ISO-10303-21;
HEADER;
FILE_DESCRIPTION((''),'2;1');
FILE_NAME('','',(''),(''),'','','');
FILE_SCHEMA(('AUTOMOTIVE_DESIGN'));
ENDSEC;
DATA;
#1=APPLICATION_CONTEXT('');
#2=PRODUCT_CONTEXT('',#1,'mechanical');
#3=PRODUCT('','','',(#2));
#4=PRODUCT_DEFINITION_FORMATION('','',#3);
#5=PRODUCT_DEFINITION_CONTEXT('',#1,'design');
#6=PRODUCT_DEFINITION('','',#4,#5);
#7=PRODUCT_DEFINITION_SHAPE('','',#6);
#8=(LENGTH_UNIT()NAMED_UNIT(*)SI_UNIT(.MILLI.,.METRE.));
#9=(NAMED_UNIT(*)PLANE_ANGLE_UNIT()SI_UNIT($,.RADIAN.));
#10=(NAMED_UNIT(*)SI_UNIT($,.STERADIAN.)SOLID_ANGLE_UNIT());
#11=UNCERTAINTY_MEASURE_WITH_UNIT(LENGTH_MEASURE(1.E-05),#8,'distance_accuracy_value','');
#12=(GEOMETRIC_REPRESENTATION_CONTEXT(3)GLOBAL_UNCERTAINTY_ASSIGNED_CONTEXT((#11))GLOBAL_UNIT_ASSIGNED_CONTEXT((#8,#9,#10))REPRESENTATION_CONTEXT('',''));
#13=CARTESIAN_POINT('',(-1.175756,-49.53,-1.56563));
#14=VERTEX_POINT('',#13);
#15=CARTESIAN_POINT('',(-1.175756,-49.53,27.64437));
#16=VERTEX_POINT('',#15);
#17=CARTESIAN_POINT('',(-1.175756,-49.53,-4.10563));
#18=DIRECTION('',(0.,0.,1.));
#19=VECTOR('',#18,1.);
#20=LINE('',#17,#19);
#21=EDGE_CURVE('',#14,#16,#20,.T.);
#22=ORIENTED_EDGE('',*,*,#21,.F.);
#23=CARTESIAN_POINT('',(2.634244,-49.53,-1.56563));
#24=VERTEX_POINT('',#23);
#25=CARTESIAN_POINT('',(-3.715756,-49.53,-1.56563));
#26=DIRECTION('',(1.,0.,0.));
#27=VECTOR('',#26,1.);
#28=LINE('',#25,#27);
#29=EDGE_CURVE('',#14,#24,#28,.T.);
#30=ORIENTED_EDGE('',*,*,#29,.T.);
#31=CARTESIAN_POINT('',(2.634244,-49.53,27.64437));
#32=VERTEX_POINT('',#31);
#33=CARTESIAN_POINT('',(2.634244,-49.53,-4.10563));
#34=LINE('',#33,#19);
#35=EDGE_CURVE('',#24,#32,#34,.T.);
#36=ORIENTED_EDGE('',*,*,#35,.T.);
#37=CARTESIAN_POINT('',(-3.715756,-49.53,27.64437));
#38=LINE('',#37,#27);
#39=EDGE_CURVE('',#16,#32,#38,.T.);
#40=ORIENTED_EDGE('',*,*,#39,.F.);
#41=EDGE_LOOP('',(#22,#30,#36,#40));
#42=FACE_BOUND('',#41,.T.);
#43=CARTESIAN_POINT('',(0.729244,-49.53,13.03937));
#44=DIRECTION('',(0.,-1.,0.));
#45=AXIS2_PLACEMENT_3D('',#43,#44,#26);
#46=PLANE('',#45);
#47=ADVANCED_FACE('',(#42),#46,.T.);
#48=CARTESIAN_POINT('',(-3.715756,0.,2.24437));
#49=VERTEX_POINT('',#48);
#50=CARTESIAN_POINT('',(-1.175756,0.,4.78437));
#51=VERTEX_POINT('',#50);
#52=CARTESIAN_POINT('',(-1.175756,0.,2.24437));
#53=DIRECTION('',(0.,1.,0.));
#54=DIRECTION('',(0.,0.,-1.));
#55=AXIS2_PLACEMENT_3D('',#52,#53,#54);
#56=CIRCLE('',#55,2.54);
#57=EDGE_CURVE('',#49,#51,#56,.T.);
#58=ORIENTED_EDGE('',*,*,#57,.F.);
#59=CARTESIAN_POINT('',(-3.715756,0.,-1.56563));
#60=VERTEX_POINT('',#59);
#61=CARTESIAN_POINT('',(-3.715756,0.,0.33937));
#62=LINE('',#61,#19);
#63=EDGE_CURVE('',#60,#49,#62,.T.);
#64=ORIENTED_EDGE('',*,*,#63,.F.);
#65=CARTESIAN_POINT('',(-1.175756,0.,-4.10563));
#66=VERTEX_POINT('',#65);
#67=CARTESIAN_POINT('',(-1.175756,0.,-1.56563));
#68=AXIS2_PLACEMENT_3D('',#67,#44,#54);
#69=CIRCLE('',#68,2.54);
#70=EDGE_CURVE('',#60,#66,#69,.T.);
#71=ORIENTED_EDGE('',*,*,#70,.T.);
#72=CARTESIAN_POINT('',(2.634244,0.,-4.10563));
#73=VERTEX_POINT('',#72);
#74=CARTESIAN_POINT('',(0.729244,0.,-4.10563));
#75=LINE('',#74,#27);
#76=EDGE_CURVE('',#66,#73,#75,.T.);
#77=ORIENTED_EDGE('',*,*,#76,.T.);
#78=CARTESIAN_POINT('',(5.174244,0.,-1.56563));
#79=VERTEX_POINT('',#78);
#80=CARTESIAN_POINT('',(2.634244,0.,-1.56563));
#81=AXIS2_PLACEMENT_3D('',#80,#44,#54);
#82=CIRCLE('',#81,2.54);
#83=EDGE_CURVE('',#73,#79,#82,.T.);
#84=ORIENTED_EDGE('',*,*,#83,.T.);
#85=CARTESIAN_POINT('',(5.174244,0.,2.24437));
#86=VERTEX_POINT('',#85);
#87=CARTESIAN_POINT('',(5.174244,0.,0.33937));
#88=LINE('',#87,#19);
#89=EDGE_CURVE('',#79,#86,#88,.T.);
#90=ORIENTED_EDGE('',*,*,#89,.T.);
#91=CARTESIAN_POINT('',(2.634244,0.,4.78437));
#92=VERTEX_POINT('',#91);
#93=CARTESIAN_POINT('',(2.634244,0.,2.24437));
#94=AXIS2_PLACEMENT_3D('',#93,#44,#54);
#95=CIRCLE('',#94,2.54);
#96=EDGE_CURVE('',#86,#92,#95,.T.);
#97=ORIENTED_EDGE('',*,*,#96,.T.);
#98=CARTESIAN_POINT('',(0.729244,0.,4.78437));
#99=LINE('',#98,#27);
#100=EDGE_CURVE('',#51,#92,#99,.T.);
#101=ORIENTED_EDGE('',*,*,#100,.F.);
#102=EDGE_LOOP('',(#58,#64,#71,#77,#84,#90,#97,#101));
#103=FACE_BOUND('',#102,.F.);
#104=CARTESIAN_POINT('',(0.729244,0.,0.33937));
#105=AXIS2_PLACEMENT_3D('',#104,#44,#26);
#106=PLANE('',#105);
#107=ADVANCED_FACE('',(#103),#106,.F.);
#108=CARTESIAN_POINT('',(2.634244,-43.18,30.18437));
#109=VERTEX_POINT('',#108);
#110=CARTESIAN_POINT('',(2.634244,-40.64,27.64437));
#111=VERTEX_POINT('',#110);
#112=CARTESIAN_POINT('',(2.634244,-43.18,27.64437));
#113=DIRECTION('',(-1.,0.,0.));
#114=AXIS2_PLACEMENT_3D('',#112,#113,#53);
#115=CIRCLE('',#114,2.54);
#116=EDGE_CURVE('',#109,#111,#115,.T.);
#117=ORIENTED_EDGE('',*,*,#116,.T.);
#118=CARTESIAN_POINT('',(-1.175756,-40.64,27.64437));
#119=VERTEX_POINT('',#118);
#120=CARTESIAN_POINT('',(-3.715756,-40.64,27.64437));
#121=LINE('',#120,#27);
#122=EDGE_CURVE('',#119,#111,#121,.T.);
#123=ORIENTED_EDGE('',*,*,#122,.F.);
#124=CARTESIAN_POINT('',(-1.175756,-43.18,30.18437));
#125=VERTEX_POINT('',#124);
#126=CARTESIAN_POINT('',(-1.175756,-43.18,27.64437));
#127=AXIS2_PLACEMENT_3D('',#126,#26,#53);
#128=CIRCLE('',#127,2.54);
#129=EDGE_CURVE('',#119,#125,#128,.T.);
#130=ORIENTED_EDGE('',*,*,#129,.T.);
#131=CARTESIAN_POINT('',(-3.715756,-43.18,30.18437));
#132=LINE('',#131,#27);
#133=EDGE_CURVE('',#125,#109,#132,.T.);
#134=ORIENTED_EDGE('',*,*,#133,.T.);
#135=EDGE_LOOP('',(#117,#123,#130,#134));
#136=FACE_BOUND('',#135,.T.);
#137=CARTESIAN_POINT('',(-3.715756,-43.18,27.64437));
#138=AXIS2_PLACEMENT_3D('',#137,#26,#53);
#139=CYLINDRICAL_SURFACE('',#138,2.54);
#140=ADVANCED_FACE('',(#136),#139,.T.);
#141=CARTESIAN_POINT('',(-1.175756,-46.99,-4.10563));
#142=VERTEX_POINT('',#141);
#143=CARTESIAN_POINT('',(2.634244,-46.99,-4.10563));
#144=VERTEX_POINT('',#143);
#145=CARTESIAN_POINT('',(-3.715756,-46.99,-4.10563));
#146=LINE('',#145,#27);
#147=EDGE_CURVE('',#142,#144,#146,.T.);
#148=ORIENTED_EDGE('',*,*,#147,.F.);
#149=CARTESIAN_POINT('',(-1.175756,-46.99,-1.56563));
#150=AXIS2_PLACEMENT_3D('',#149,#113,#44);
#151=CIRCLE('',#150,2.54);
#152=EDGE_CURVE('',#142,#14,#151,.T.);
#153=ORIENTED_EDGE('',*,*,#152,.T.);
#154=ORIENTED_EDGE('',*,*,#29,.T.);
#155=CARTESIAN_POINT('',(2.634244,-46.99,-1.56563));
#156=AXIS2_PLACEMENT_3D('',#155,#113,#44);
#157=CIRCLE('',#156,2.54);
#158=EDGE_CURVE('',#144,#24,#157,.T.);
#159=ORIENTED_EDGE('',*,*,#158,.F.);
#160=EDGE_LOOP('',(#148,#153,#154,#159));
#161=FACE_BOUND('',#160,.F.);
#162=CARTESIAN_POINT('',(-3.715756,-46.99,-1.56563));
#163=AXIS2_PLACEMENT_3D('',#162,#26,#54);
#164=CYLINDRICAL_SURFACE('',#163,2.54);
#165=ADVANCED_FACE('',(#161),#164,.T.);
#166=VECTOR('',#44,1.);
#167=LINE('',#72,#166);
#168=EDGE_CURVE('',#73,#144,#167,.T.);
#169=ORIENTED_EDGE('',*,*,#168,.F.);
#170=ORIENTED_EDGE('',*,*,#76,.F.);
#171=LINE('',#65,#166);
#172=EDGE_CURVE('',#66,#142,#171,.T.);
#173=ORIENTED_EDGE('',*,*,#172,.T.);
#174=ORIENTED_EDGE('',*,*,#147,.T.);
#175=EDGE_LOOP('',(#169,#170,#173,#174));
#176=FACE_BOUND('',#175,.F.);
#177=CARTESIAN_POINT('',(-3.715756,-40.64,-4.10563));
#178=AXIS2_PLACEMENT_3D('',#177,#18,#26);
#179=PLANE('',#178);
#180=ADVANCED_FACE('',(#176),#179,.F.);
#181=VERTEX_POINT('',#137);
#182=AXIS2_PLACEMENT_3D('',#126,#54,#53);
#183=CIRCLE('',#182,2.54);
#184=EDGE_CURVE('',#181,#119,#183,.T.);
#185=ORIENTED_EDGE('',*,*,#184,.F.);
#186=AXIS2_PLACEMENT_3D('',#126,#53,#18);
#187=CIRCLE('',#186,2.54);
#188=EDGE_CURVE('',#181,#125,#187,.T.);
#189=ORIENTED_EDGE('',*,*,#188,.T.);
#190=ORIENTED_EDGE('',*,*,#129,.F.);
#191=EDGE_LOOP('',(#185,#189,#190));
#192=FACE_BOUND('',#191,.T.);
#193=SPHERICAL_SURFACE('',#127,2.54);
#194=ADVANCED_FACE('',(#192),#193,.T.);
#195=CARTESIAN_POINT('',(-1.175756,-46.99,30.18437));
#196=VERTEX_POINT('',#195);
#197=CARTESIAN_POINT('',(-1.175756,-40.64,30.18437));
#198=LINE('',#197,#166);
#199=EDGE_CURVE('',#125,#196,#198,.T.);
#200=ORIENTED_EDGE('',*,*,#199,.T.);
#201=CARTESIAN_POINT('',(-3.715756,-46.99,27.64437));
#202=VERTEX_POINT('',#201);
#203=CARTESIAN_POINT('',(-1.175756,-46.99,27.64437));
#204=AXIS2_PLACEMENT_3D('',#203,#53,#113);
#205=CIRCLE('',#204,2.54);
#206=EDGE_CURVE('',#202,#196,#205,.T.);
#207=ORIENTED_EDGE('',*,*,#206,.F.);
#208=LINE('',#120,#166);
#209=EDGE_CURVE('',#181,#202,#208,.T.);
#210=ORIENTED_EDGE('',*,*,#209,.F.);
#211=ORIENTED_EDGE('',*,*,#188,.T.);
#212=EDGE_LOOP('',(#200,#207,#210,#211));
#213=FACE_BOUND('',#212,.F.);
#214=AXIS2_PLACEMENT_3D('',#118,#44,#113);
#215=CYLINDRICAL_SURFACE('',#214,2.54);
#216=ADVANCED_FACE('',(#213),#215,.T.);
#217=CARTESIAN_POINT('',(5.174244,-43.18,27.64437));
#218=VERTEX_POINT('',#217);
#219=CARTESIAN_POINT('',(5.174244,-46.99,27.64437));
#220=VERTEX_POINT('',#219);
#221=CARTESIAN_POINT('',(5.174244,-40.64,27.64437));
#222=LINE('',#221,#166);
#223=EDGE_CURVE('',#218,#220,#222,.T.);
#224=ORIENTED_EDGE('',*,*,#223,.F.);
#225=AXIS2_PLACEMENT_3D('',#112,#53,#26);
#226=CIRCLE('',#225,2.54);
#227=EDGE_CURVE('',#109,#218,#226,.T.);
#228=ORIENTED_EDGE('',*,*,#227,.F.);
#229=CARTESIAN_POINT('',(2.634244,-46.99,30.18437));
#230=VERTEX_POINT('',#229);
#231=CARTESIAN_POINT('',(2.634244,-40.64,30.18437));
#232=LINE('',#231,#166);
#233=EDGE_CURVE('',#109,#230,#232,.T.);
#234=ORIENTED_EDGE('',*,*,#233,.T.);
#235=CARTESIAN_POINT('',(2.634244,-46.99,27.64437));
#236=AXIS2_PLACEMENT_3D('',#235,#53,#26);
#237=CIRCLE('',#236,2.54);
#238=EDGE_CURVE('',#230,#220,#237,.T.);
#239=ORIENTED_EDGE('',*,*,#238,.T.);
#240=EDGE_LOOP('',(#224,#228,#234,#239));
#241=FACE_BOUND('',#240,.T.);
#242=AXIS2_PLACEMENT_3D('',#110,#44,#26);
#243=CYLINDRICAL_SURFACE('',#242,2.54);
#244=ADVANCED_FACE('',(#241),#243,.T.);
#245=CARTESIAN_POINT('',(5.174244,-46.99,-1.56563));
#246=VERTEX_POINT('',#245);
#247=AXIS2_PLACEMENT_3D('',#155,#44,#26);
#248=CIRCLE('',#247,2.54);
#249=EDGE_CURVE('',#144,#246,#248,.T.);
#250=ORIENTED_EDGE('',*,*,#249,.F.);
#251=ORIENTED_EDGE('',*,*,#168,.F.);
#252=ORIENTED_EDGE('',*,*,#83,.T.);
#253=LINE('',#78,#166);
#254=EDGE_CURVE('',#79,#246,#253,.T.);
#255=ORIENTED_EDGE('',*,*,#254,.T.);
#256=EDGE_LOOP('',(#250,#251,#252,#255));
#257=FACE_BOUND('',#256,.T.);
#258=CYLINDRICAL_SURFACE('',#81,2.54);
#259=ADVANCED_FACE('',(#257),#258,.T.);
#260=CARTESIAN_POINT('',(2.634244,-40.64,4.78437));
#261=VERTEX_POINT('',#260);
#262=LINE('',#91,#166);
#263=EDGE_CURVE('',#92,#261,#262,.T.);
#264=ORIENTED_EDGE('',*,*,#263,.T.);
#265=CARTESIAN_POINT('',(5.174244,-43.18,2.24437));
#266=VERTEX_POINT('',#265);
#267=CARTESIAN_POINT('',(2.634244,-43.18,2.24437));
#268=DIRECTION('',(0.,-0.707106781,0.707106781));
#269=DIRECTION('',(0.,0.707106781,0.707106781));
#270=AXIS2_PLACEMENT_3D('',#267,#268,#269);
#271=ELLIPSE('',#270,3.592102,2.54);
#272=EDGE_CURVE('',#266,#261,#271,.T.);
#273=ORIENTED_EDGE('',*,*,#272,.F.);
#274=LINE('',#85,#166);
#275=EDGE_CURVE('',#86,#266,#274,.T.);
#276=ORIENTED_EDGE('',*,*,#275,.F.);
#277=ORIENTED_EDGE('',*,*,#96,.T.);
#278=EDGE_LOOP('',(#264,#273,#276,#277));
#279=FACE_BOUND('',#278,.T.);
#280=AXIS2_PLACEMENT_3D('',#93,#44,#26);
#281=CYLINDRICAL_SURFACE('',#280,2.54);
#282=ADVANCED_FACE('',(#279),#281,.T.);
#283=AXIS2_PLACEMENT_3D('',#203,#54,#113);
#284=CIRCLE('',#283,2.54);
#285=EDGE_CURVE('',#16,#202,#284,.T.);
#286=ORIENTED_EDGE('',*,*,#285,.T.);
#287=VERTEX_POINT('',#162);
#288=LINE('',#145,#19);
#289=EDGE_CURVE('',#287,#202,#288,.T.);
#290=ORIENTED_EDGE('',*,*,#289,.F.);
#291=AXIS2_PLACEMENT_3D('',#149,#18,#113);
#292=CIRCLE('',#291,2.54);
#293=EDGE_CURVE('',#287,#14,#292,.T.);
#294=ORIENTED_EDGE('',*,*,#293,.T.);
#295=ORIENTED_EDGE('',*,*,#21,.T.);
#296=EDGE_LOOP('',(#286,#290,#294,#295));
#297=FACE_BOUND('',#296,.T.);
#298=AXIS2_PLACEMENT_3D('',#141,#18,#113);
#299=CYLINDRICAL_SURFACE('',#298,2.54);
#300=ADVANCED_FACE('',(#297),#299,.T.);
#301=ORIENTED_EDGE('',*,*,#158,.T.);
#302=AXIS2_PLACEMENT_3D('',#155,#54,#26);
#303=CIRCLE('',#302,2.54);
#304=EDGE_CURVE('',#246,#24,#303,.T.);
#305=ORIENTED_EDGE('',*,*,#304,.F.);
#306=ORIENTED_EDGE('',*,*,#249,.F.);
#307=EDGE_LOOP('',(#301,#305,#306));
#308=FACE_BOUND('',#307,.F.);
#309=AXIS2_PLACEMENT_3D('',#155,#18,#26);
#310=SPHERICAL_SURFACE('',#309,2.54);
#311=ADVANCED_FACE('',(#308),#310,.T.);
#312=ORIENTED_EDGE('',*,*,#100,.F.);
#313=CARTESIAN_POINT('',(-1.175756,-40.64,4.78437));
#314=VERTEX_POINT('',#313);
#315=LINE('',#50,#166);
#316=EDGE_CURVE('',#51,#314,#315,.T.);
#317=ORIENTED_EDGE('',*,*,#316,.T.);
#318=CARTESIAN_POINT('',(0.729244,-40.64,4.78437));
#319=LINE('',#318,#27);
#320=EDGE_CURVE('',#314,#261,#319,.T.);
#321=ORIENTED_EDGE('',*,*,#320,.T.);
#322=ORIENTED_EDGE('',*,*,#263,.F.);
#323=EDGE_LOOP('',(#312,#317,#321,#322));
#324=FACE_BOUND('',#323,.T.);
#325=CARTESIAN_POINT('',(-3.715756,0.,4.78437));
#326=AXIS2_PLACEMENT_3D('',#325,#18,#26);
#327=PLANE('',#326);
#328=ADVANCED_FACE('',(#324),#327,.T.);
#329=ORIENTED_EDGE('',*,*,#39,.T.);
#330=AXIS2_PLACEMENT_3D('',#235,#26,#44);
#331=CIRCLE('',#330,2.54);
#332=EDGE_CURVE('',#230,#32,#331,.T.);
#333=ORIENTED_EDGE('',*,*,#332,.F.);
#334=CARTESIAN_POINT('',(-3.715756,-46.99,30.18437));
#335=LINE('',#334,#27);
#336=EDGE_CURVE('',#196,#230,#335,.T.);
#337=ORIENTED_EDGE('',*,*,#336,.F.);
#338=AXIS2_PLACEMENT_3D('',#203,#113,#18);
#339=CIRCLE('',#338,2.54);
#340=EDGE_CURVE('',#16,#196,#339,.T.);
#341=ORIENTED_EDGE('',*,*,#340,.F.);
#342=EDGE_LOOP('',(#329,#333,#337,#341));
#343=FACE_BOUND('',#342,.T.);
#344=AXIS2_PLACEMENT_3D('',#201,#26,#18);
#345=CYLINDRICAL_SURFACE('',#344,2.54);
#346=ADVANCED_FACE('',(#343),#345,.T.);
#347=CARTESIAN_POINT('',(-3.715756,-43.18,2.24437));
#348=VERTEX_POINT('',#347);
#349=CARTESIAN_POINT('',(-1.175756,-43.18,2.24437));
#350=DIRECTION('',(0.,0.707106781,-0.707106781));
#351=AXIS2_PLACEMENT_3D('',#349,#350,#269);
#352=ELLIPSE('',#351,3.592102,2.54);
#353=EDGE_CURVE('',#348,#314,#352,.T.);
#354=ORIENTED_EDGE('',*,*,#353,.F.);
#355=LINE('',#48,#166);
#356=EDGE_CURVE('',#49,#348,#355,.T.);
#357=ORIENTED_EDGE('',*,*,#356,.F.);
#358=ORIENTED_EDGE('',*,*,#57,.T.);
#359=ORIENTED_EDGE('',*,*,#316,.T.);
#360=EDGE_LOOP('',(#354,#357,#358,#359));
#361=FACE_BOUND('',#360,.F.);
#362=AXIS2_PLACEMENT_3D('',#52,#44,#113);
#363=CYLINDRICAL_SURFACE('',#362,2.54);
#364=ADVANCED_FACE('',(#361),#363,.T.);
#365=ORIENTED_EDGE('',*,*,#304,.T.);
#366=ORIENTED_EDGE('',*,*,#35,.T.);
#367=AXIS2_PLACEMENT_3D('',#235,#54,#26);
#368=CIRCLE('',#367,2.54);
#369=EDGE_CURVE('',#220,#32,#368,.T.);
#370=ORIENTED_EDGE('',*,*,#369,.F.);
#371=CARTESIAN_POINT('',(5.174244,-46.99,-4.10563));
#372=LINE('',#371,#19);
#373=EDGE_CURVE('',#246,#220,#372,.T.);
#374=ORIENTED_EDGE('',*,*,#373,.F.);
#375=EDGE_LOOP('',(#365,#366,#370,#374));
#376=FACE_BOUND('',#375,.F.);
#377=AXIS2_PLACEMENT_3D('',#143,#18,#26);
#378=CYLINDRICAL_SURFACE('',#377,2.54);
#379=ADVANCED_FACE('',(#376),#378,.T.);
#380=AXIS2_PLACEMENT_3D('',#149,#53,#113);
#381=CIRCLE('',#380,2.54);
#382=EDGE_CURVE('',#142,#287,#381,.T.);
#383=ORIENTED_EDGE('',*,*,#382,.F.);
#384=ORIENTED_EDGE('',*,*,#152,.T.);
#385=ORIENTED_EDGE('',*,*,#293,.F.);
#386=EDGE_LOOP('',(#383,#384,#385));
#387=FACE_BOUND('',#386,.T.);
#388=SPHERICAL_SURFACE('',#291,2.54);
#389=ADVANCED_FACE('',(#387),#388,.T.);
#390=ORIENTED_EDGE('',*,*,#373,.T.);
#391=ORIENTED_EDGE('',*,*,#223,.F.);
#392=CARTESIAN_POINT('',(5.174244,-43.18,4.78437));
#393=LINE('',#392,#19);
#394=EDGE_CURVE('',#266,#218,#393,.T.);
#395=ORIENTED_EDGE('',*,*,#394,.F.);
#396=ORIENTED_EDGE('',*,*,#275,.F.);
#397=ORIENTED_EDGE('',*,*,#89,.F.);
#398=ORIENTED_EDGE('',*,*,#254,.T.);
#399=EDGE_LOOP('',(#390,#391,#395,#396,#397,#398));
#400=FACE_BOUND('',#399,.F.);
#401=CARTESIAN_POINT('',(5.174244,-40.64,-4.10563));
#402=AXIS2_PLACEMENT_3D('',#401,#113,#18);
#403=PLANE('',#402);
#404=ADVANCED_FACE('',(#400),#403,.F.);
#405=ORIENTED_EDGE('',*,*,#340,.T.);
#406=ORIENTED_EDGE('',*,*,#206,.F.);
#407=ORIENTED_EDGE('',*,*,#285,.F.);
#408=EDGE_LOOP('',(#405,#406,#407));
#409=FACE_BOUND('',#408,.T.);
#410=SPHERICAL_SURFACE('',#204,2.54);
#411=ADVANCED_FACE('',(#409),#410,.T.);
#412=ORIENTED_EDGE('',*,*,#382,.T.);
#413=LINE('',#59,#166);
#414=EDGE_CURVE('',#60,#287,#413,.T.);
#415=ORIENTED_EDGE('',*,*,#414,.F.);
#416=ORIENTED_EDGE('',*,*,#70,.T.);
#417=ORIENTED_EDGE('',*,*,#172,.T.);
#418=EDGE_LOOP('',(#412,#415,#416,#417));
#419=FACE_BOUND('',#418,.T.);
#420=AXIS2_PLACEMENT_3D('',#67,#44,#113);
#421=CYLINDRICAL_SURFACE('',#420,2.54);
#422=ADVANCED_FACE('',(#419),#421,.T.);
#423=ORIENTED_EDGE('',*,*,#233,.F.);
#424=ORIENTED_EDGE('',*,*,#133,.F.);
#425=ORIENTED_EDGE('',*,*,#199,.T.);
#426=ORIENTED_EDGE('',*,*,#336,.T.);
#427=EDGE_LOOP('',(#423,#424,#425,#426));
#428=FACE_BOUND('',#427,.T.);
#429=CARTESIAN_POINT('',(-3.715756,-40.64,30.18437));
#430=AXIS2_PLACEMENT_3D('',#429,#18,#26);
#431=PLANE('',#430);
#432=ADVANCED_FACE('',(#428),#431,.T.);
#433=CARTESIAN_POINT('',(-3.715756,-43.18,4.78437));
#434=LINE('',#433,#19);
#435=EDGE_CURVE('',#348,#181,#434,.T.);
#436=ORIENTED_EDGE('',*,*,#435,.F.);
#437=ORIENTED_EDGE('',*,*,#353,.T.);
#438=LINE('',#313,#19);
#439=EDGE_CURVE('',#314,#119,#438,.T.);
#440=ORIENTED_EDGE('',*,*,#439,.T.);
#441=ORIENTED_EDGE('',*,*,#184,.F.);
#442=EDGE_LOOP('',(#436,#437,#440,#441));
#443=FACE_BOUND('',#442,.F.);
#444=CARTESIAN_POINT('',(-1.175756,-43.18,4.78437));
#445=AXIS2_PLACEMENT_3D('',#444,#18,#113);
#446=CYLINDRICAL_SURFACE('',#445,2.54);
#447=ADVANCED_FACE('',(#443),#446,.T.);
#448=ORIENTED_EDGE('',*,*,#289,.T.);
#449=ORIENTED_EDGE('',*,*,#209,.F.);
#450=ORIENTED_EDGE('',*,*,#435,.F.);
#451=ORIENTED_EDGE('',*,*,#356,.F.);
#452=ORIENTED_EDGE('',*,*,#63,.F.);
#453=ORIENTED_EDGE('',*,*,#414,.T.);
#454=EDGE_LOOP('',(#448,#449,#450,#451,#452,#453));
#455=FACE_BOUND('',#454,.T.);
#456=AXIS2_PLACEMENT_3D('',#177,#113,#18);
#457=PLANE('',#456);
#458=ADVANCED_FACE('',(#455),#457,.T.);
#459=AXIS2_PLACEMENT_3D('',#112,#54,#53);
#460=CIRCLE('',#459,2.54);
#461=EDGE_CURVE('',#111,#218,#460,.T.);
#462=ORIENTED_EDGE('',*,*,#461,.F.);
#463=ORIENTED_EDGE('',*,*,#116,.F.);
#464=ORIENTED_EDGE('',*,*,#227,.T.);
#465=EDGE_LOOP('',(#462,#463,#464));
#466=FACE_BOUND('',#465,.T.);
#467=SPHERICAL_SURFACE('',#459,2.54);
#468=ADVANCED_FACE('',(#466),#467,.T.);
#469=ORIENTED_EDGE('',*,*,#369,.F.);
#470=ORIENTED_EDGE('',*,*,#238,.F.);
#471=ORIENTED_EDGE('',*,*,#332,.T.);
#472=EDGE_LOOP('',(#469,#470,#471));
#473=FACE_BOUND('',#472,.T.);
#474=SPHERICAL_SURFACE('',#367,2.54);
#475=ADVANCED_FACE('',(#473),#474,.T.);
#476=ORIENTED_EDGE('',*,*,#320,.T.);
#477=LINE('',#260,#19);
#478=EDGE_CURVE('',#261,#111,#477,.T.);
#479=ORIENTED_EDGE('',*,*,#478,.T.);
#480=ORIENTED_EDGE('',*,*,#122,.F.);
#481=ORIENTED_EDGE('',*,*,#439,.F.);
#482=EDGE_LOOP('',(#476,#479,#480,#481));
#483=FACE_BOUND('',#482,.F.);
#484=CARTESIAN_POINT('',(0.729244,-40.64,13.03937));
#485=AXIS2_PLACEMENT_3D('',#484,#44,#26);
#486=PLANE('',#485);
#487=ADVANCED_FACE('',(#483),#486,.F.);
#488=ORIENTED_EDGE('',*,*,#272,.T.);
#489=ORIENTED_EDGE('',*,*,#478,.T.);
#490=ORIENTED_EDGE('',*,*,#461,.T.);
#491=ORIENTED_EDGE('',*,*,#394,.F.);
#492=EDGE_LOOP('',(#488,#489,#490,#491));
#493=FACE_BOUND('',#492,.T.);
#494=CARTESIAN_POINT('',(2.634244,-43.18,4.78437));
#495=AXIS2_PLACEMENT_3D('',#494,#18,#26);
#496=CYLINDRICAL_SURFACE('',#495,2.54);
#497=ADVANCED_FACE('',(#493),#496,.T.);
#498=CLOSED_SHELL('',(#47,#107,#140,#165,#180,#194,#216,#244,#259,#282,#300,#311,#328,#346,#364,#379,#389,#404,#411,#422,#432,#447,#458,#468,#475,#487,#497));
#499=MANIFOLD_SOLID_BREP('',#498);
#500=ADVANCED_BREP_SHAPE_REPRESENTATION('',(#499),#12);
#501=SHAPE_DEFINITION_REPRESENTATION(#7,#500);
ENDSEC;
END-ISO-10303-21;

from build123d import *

# Parameters (mm, degrees)
F0_W     = 8.89
F0_H     = 8.89
F1_DEPTH = 40.64
F2_W     = 8.89
F2_H     = 34.29
F3_DEPTH = 8.89
F4_R     = 2.54


with BuildPart() as f1:
    # F0 (on Front) → F1 (new body)
    with BuildSketch(Plane.XZ):
        with Locations((0.729244, 0.33937)):
            Rectangle(F0_W, F0_H)
    extrude(amount=F1_DEPTH)

    # F2 (on face) → F3 (join)
    with BuildSketch(Plane.XZ.offset(40.64)):
        with Locations((0.729244, 13.03937)):
            Rectangle(F2_W, F2_H)
    extrude(amount=F3_DEPTH)

    # F4
    f4_edges = [f1.edges().sort_by_distance(p)[0] for p in [
        (5.174244, -40.64, 17.48437),
        (0.729244, -40.64, 30.18437),
        (-3.715756, -40.64, 17.48437),
        (-3.715756, -45.085, 30.18437),
        (-3.715756, -49.53, 13.03937),
        (-3.715756, -20.32, 4.78437),
        (-3.715756, -24.765, -4.10563),
        (5.174244, -20.32, 4.78437),
        (5.174244, -49.53, 13.03937),
        (5.174244, -24.765, -4.10563),
        (0.729244, -49.53, -4.10563),
        (5.174244, -45.085, 30.18437),
        (0.729244, -49.53, 30.18437),
    ]]
    fillet(f4_edges, radius=F4_R)


solid = f1.part
